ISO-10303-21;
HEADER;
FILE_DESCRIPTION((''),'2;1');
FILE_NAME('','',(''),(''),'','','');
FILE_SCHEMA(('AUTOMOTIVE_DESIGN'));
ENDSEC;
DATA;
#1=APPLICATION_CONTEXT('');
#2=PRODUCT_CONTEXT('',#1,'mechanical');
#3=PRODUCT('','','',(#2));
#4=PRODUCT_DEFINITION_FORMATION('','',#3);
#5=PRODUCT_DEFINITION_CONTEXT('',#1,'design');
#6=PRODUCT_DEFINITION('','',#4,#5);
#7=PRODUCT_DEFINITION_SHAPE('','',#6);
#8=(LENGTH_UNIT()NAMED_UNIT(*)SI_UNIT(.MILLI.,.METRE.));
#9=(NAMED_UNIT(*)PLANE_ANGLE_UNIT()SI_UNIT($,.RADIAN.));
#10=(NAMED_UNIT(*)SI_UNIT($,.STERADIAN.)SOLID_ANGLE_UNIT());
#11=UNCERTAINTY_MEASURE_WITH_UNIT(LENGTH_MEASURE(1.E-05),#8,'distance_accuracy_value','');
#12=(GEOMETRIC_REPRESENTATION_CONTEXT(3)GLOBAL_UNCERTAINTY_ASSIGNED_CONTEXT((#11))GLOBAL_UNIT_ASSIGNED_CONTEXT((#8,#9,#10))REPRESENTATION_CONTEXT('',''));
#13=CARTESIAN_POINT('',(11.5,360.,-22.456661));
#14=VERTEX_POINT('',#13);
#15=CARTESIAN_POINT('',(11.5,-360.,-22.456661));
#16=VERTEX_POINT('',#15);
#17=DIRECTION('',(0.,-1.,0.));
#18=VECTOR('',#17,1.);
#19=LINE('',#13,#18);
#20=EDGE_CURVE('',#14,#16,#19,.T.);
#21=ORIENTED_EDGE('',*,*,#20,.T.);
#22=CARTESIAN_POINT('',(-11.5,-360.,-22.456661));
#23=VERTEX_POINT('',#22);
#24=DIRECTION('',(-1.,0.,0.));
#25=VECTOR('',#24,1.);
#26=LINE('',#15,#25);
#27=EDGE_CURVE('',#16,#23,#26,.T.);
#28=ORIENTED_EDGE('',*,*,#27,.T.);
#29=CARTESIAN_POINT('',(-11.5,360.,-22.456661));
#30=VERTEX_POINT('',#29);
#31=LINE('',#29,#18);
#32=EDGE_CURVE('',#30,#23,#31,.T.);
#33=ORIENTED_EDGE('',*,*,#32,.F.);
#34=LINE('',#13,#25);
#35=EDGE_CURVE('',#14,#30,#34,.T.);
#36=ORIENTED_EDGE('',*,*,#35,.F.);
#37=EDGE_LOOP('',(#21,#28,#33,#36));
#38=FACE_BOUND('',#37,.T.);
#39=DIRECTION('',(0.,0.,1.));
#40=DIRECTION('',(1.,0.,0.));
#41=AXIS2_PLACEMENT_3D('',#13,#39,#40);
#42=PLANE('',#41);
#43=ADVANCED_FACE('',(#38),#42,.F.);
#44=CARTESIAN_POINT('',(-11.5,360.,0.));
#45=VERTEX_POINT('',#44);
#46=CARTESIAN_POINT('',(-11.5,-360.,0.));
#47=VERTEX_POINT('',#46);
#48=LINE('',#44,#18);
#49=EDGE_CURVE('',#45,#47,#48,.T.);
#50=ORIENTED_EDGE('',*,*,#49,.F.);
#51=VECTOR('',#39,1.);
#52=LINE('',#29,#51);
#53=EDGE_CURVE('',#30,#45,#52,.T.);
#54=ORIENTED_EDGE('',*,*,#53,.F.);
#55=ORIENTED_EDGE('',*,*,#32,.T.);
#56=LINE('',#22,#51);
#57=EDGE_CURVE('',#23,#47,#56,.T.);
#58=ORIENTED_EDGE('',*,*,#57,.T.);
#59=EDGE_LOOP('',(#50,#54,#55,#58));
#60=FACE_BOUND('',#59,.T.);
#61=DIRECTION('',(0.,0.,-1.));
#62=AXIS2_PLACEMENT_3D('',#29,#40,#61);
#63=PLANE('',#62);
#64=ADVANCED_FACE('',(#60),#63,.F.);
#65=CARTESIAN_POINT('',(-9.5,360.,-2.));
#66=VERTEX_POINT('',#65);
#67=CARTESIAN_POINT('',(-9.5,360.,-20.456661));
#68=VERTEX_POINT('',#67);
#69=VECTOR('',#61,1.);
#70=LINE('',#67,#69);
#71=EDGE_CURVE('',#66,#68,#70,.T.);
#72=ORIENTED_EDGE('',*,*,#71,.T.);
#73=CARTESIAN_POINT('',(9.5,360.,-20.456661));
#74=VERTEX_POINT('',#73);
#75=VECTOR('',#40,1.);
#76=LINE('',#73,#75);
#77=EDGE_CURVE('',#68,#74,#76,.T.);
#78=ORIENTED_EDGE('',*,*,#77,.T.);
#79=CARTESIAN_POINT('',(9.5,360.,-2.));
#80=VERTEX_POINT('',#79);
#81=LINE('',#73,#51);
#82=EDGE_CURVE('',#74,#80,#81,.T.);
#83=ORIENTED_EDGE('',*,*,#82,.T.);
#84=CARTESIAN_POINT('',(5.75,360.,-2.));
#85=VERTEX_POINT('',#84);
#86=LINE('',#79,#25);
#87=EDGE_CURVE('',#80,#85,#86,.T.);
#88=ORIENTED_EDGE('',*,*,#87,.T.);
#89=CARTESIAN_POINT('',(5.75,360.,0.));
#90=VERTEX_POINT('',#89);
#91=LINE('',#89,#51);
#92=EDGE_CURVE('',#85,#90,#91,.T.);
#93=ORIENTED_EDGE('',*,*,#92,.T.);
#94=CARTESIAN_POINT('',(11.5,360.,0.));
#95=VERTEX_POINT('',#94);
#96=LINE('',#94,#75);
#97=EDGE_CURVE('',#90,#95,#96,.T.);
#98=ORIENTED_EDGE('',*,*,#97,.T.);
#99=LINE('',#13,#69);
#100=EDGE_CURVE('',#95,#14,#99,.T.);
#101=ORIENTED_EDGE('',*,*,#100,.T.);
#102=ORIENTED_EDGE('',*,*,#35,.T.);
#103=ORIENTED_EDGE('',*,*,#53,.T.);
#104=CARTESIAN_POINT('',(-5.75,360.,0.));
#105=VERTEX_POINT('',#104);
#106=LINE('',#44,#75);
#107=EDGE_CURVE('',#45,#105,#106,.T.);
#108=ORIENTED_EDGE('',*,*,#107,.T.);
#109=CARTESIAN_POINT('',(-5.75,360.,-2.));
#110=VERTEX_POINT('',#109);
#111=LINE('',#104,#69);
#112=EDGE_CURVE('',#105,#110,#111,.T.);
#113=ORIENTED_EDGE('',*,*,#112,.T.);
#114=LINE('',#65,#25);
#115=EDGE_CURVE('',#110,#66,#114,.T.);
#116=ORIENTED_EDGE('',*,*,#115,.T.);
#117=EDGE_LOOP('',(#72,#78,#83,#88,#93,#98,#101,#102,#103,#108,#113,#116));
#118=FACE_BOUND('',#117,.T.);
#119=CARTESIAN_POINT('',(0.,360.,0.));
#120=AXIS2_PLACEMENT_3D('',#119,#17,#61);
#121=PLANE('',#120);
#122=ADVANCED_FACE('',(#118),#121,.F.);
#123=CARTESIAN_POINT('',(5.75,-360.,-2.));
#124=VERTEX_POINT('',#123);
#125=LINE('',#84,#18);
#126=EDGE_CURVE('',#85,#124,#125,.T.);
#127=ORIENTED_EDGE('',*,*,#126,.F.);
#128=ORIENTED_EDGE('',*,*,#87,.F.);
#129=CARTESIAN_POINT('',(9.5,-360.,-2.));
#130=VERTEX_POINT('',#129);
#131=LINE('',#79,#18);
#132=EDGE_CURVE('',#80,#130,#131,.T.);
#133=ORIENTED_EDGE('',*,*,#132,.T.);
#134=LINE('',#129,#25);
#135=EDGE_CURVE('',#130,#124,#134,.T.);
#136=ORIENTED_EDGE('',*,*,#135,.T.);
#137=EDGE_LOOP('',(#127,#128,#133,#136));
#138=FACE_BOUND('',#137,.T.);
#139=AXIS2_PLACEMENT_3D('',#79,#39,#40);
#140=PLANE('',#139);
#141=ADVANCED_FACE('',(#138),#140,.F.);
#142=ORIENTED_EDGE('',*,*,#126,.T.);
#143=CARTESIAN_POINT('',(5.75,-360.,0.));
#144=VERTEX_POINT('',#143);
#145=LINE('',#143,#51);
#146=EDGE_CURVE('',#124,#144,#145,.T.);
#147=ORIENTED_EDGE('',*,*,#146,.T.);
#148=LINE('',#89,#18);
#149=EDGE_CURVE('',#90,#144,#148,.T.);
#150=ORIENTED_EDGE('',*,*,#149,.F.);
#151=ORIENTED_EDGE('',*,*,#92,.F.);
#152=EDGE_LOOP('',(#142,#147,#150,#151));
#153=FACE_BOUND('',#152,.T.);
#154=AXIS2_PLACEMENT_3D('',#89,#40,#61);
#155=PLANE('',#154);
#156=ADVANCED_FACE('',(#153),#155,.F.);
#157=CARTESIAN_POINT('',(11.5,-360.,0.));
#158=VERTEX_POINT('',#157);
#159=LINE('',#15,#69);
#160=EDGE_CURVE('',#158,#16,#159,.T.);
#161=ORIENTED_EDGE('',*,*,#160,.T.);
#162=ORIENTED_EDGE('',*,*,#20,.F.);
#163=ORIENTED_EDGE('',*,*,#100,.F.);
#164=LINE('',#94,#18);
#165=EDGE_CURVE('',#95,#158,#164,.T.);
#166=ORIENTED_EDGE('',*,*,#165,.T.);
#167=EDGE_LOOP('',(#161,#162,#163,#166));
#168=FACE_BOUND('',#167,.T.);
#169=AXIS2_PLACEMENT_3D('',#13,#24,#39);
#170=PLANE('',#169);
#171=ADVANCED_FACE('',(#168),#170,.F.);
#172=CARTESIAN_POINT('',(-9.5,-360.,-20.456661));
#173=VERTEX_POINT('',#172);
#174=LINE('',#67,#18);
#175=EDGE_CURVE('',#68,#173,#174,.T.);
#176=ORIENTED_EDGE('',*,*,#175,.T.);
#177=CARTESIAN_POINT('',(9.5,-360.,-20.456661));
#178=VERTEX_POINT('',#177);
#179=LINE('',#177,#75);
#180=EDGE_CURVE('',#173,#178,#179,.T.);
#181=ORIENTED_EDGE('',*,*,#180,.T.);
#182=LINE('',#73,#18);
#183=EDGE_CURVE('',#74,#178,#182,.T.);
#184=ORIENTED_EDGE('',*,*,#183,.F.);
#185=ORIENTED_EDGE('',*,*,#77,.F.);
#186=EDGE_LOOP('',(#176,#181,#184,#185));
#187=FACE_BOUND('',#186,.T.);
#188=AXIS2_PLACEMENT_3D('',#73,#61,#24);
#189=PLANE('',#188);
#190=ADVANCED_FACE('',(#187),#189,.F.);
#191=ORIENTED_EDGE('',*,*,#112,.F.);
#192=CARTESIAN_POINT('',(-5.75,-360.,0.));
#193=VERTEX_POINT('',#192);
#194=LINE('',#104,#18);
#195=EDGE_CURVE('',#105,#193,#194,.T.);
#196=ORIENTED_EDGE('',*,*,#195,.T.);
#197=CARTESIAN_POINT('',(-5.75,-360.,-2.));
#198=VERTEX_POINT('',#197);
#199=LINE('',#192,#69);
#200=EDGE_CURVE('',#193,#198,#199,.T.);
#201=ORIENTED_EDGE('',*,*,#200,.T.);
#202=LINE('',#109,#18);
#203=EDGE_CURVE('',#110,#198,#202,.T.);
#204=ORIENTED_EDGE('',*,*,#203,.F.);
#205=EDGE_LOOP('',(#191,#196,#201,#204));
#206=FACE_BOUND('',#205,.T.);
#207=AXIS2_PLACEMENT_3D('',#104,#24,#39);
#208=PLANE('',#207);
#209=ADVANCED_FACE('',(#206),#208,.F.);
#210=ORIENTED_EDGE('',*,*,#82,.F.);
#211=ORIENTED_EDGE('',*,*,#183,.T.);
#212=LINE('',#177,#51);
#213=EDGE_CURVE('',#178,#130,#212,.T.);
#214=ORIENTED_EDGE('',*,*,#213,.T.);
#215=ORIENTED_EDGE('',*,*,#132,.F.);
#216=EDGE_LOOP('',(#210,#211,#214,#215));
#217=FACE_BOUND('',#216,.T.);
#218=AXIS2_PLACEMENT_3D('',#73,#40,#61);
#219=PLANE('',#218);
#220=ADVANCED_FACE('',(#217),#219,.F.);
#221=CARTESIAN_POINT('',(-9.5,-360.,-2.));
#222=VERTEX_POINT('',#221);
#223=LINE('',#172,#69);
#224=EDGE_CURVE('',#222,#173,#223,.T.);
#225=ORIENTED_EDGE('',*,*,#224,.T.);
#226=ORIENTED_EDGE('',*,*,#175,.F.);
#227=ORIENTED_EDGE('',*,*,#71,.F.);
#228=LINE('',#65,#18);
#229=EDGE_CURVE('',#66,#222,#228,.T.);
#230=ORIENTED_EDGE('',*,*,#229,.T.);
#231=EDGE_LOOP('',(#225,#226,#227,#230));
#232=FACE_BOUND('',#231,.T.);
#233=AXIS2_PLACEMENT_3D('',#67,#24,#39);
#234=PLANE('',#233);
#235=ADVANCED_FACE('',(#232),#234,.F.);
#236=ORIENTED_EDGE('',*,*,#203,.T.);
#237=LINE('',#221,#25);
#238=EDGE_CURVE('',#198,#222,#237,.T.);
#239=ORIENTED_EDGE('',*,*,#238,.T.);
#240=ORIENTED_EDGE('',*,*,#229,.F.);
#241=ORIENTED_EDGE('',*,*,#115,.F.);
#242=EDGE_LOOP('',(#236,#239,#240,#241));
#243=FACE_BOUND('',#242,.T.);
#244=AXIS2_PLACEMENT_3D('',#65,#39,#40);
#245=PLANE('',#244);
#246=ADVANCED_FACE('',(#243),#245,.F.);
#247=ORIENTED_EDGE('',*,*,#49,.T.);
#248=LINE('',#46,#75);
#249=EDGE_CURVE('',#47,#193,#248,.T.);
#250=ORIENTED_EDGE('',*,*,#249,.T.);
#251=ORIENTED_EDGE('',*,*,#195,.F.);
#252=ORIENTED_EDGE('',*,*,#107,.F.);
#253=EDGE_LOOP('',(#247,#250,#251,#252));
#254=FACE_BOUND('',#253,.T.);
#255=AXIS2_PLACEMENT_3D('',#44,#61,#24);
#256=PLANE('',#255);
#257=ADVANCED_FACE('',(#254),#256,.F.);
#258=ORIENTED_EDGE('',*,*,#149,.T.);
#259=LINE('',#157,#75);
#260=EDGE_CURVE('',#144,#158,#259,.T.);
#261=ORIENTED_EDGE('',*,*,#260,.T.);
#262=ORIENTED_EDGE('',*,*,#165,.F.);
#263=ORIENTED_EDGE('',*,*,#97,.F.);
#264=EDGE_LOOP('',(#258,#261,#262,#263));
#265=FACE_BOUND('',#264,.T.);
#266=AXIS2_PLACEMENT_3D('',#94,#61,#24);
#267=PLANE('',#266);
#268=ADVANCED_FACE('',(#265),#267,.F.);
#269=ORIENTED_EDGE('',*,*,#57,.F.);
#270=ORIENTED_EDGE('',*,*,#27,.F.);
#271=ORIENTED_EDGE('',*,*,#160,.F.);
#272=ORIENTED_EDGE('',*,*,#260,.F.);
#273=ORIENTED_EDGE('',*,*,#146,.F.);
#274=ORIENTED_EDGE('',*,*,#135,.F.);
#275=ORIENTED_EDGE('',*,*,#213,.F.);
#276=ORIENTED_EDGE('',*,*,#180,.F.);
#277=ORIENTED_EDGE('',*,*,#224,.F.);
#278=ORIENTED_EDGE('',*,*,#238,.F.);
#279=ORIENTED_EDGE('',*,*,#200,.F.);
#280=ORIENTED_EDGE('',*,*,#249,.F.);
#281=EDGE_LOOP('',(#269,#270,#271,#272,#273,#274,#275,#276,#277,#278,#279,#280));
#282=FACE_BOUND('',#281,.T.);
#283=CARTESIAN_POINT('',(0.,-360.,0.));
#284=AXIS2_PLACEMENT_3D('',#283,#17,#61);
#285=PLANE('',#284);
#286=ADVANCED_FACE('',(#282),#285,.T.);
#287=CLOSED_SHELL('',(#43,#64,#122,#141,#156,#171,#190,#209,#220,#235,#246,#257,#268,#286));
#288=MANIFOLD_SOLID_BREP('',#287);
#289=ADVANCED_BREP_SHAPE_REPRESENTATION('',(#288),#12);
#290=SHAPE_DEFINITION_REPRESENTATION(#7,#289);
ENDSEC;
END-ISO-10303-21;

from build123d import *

# Parameters (mm, degrees)
BOSS_EXTRUDE1_DEPTH = 360


with BuildPart() as part:
    # Sketch2 → Boss-Extrude1 (new, symmetric)
    with BuildSketch(Plane(origin=(0, 0, 0), x_dir=(1, 0, 0), z_dir=(0, 1, 0))):
        Polygon((9.5, 2), (5.75, 2), (5.75, 0), (11.5, 0), (11.5, 22.456660903), (-11.5, 22.456660903), (-11.5, 0), (-5.75, 0), (-5.75, 2), (-9.5, 2), (-9.5, 20.456660903), (9.5, 20.456660903), align=None)
    extrude(amount=BOSS_EXTRUDE1_DEPTH, both=True)


solid = part.part
